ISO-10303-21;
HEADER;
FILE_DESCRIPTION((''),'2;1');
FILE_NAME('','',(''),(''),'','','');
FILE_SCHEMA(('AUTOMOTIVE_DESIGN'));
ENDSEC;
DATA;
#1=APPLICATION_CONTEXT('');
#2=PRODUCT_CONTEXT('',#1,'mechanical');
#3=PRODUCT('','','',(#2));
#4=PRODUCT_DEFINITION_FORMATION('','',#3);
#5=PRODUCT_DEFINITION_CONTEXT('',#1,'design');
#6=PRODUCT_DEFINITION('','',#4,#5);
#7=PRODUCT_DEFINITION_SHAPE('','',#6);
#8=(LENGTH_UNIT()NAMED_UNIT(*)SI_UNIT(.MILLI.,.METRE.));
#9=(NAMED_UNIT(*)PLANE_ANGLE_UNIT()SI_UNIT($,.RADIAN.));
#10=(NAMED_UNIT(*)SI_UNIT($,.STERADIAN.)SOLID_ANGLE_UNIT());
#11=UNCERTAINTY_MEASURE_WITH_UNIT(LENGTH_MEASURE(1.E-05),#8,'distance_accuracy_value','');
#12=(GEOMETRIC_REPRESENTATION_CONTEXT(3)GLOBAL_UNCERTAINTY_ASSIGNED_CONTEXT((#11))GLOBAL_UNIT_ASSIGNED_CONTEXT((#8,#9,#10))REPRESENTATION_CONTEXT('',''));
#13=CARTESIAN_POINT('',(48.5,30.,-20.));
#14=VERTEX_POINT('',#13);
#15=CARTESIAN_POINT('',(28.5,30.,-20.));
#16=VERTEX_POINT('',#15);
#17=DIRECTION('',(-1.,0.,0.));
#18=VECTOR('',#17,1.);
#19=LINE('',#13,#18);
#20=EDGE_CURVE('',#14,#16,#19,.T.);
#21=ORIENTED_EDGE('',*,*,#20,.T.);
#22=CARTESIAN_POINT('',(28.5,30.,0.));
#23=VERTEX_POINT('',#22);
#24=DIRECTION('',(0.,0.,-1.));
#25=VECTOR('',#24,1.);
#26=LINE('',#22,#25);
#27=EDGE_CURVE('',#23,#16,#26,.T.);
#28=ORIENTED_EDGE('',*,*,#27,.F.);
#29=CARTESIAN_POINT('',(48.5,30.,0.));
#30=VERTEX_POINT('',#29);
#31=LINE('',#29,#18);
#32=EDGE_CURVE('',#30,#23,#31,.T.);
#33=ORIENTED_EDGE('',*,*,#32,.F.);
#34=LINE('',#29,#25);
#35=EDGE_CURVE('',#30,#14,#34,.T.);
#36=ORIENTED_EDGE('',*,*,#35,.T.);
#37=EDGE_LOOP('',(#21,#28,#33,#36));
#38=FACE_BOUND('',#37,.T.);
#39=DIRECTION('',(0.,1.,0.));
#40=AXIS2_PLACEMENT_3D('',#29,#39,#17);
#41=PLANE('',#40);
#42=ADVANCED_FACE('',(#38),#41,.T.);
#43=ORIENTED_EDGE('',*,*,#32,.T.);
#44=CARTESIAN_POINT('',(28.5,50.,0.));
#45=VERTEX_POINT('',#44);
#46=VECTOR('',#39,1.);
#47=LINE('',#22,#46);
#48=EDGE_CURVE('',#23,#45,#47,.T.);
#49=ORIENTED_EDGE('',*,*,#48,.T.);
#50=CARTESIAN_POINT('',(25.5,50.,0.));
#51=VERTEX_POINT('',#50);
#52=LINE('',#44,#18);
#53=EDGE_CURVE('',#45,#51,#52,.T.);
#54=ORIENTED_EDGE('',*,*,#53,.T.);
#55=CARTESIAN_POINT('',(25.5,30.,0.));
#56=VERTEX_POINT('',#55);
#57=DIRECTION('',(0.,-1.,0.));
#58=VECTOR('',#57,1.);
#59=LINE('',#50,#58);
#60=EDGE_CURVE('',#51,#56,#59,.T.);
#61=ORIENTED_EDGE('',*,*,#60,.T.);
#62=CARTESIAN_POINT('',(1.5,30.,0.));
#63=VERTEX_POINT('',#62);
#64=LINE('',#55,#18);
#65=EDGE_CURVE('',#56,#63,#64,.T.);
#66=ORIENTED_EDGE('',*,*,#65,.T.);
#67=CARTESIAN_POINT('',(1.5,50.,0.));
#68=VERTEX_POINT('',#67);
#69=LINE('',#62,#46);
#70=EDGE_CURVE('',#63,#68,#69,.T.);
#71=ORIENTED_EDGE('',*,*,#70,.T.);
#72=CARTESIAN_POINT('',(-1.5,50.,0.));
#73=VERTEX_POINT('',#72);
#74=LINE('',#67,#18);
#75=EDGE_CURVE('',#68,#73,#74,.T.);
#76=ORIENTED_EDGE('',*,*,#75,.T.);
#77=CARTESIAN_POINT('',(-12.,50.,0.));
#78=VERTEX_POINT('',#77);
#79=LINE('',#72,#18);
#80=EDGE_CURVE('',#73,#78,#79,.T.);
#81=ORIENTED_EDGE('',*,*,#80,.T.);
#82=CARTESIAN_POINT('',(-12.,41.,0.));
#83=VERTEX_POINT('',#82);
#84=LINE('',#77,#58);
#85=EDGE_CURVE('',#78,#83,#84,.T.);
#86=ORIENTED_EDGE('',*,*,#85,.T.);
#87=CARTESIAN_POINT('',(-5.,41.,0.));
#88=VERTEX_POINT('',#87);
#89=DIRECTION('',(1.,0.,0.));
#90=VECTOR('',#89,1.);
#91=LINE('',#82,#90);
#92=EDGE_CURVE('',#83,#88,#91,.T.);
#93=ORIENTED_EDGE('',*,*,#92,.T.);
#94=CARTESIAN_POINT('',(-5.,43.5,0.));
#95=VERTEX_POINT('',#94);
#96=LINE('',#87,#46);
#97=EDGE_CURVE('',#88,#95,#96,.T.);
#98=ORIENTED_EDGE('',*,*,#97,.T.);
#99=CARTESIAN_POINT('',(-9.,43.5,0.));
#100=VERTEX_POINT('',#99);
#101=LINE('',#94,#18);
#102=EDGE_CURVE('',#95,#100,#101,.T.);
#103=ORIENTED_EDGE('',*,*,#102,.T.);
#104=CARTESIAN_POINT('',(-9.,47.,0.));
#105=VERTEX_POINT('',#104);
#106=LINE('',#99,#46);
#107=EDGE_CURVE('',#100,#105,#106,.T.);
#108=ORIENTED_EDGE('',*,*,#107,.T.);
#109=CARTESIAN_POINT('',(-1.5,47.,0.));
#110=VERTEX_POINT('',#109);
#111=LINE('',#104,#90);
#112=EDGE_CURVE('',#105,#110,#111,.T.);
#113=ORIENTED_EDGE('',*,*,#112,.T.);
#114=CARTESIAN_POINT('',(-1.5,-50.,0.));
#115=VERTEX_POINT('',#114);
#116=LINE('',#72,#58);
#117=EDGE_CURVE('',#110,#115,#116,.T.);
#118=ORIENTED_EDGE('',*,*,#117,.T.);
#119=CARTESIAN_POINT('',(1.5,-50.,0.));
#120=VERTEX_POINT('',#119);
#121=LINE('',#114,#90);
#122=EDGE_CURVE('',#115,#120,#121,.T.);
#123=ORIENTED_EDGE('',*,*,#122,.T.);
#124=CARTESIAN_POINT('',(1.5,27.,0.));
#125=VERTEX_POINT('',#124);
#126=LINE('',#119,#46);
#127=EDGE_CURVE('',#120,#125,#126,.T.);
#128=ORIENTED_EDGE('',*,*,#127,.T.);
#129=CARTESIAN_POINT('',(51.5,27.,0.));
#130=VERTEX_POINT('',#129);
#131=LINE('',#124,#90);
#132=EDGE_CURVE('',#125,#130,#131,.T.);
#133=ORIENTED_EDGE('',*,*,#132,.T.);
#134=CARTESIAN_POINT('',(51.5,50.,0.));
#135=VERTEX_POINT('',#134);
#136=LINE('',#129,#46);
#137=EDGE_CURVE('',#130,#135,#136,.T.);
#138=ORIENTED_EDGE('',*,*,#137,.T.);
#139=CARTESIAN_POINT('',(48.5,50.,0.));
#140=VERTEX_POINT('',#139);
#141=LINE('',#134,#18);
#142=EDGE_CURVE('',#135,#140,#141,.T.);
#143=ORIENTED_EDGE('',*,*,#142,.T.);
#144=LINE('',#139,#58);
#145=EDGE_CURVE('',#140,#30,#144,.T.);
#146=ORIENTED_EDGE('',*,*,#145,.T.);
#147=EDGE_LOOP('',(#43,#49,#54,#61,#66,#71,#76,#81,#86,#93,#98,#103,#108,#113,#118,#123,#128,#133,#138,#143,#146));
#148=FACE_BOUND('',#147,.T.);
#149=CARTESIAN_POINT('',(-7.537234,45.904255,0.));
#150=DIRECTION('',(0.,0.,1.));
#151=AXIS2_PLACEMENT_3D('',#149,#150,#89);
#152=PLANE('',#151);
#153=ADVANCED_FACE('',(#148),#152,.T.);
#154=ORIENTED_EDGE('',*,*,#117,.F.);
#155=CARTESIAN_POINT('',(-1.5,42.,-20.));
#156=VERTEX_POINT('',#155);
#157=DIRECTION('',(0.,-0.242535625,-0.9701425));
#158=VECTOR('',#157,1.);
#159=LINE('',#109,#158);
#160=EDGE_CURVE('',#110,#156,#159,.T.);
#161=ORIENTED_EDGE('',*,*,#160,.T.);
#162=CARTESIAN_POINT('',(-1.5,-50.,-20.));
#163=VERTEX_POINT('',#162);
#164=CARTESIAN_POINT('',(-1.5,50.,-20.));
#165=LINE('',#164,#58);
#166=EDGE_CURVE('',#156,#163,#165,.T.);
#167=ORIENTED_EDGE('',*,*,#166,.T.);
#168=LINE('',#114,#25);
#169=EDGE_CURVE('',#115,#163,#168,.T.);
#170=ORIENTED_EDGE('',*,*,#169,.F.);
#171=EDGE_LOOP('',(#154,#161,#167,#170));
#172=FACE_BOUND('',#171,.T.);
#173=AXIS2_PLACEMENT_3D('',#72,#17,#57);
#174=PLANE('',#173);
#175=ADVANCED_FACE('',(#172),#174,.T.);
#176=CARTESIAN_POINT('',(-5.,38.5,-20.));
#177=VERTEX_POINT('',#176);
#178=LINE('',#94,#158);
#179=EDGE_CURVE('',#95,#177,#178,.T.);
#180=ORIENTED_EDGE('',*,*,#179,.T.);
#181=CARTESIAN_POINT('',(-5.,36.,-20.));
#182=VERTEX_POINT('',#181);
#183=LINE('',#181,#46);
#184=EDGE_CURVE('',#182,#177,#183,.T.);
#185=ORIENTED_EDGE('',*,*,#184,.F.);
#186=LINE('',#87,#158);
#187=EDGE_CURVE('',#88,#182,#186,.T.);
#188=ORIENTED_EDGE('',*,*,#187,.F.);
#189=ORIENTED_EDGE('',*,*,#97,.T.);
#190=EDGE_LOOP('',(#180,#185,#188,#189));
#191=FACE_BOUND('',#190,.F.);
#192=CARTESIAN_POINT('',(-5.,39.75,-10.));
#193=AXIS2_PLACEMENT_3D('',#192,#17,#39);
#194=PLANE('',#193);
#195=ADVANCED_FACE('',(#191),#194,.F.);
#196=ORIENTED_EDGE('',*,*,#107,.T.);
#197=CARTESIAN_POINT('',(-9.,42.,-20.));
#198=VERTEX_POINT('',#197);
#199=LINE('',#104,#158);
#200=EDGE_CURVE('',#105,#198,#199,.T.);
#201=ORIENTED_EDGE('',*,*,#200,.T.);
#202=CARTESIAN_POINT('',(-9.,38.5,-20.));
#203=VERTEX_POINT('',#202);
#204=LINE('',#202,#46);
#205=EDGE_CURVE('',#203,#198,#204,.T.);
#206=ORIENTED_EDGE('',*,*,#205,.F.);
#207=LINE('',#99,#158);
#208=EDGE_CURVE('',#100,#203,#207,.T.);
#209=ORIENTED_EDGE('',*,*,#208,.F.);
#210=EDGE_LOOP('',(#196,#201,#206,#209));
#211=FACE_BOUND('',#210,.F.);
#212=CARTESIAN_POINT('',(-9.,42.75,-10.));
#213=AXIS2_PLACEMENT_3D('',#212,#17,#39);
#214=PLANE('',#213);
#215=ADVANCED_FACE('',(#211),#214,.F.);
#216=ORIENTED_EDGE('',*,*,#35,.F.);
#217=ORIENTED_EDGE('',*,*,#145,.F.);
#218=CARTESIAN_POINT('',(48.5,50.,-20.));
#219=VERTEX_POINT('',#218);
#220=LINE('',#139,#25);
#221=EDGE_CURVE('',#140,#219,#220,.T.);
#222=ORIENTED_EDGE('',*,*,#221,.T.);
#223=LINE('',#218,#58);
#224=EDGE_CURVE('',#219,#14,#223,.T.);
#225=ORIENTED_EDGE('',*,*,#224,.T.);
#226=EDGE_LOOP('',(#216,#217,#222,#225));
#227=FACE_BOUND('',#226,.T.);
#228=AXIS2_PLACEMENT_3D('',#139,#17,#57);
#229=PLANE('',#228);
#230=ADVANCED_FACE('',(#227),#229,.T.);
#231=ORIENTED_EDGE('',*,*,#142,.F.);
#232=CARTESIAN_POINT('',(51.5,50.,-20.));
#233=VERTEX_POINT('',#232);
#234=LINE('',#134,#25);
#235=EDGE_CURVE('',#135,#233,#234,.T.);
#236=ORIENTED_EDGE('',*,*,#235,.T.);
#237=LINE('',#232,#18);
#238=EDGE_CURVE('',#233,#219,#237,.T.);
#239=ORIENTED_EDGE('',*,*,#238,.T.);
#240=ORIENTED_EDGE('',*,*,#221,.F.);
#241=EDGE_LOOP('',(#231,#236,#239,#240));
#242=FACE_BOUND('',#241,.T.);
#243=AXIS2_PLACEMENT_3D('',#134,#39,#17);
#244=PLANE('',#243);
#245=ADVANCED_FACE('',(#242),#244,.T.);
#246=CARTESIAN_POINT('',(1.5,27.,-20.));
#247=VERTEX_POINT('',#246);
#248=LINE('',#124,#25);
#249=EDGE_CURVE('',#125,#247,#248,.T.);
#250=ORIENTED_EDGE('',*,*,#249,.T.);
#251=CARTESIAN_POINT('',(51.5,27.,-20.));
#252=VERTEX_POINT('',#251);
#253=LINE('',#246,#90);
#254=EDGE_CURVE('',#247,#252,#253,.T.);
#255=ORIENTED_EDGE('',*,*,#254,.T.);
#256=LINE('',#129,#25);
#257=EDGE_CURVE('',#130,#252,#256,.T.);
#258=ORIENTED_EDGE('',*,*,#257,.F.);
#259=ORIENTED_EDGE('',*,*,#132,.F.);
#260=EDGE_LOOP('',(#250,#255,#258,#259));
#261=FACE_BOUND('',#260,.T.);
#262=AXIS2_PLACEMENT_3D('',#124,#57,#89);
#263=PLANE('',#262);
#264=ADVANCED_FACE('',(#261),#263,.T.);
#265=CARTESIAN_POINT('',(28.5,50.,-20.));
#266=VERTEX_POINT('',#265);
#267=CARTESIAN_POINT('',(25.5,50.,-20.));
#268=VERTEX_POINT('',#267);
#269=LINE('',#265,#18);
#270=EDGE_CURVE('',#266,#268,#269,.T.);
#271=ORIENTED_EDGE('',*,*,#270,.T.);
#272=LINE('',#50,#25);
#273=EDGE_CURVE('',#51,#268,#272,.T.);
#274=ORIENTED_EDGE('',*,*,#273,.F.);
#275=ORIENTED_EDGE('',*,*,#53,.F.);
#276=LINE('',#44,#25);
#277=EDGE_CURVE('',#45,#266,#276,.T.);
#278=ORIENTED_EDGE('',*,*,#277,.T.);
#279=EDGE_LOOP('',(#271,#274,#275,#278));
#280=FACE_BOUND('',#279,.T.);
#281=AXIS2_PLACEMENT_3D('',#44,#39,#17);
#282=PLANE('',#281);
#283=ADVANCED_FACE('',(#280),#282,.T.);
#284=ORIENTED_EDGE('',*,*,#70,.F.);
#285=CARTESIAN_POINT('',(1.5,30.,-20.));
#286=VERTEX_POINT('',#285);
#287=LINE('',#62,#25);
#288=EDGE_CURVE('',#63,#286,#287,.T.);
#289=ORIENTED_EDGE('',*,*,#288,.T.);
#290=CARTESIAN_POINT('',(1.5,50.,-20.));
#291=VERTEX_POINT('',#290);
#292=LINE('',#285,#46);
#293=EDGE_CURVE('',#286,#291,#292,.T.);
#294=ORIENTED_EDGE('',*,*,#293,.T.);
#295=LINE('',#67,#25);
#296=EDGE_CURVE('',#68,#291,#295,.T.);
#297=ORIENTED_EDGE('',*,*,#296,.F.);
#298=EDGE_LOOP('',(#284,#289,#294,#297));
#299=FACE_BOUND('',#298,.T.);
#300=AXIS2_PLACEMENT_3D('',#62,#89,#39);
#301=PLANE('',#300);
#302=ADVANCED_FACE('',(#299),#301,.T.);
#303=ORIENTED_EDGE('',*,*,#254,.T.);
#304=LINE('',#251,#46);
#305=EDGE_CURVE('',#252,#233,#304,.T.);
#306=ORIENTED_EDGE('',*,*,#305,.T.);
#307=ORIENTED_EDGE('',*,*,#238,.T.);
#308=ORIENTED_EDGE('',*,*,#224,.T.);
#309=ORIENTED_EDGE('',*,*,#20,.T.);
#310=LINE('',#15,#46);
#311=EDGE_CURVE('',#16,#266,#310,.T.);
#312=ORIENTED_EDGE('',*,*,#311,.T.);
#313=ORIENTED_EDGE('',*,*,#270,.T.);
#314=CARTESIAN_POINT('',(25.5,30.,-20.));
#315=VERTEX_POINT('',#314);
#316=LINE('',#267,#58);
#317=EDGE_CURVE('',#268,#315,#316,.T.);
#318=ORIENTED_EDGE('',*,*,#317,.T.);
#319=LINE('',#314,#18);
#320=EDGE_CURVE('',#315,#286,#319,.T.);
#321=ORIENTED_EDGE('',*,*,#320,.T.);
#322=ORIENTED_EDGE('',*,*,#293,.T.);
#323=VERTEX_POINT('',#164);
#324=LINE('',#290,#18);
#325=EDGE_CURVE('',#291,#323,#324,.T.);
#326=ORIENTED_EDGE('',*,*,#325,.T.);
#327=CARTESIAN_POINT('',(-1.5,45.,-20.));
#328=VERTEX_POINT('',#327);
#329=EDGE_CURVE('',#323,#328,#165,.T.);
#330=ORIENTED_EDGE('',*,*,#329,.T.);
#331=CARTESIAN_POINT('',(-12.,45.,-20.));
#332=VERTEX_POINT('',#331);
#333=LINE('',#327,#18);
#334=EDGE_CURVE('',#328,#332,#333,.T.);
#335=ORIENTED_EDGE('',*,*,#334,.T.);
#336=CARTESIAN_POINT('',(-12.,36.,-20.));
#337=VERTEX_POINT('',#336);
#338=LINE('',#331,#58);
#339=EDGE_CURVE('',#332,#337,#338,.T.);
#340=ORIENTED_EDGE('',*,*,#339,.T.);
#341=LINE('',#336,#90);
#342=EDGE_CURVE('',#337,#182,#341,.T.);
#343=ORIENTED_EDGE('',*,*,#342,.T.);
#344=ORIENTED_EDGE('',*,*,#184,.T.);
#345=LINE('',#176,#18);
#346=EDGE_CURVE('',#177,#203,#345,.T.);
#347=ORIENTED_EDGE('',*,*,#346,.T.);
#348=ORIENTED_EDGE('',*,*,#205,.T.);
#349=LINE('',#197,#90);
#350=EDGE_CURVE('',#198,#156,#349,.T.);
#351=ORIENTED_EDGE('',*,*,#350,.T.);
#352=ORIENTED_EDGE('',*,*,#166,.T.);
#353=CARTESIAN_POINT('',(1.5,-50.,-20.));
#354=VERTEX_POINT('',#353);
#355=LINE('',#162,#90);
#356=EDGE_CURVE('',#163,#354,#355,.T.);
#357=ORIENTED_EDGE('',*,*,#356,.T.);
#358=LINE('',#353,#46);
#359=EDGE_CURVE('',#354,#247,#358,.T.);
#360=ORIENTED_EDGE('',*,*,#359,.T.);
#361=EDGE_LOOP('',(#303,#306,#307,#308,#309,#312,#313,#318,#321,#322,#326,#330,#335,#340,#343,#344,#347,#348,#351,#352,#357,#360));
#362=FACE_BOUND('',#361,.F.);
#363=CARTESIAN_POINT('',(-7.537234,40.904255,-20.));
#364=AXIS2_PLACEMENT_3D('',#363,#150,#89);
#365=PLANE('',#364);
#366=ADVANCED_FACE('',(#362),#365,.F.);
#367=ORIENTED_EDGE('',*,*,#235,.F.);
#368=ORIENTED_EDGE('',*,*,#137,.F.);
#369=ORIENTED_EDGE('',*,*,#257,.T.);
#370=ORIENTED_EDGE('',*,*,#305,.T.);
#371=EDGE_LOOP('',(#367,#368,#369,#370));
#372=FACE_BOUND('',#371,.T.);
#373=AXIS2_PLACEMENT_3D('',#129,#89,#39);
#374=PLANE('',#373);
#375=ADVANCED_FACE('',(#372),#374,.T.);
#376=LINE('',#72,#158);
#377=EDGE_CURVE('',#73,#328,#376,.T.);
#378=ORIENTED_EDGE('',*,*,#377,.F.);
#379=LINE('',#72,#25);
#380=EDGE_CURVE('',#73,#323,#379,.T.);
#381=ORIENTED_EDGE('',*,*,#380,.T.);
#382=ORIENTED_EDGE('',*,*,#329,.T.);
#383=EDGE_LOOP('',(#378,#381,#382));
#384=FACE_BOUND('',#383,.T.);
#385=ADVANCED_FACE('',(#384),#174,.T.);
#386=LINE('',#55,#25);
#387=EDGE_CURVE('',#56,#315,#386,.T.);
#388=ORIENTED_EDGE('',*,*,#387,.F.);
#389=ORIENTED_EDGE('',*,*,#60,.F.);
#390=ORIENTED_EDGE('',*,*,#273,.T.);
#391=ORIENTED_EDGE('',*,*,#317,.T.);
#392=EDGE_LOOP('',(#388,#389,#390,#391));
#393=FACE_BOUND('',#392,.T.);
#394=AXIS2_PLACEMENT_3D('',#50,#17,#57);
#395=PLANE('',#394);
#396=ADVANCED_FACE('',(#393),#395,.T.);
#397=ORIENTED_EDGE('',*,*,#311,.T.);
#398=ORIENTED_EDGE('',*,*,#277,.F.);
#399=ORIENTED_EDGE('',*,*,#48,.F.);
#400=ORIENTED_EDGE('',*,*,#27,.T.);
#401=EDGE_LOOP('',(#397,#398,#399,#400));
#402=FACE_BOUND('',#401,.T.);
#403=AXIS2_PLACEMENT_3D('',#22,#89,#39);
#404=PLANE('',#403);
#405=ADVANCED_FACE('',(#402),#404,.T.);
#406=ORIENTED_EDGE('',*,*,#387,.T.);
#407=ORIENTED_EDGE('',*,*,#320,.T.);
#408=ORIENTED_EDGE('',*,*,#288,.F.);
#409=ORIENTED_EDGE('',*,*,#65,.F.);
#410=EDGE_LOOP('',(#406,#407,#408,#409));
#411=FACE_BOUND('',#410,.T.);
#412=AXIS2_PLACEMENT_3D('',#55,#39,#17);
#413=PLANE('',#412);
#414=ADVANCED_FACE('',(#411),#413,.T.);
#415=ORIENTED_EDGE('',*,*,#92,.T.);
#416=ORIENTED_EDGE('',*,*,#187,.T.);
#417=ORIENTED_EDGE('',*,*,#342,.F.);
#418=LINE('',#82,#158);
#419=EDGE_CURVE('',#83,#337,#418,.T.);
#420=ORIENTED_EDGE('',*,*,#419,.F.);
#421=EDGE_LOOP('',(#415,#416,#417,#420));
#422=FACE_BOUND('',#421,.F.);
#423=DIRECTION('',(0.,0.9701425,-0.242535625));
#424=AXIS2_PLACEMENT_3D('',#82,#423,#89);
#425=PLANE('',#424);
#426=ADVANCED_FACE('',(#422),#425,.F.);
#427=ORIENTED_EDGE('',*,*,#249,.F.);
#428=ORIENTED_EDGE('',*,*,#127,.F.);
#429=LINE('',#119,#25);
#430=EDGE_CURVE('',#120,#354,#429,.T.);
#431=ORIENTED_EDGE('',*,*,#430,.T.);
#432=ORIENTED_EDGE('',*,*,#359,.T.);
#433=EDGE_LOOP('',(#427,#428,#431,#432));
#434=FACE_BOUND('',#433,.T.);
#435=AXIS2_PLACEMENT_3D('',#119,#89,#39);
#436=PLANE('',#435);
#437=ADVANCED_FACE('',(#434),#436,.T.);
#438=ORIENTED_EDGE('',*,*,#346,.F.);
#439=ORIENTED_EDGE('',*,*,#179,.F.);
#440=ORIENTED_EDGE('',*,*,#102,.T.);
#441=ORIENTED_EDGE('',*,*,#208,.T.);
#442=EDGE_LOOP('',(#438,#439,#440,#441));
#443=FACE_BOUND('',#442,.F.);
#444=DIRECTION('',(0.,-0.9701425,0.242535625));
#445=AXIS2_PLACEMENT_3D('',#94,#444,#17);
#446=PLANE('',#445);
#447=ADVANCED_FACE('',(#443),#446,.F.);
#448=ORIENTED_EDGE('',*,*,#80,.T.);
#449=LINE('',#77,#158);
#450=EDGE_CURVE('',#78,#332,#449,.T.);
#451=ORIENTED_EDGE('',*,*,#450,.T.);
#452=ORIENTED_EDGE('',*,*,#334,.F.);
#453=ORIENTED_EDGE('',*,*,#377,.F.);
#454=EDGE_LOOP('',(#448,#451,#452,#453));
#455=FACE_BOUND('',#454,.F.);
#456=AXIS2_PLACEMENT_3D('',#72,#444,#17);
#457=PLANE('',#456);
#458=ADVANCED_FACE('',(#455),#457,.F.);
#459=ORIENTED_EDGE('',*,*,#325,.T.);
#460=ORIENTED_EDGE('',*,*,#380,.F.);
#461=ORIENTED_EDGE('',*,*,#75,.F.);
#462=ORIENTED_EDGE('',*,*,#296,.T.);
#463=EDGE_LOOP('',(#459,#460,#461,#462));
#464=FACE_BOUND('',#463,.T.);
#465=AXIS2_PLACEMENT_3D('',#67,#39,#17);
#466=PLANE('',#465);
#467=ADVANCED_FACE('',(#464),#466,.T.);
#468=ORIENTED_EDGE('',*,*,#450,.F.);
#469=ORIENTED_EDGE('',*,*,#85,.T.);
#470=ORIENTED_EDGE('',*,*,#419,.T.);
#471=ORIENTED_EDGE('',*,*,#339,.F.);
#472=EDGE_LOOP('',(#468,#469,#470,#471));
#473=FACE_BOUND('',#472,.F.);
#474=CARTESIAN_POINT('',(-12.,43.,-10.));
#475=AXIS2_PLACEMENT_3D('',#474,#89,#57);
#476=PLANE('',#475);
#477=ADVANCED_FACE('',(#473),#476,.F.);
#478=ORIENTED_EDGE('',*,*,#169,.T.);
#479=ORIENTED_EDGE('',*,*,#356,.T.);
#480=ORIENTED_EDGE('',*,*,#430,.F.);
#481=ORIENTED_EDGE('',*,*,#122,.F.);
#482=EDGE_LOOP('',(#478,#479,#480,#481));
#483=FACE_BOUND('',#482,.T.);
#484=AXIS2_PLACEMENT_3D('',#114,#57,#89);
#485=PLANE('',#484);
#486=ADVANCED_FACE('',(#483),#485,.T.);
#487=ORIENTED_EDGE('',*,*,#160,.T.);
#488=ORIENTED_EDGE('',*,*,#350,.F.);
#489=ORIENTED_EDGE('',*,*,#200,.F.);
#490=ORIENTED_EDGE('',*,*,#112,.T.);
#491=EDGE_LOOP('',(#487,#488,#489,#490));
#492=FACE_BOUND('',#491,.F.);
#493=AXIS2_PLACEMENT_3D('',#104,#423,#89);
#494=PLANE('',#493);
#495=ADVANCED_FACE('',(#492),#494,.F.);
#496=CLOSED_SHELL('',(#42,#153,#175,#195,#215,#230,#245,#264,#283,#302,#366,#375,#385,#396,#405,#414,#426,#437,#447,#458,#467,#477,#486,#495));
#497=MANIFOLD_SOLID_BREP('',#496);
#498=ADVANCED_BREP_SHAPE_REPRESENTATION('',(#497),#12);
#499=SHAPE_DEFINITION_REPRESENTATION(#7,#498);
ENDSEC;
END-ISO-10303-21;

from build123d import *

# Parameters (mm, degrees)
F1_DEPTH = 20


with BuildPart() as f1:
    # F0 (on Top) → F1 (new body)
    with BuildSketch(Plane.XY):
        Polygon((1.5, 50), (-1.5, 50), (-1.5, 47), (-1.5, -50), (1.5, -50), (1.5, 27), (51.5, 27), (51.5, 30), (51.5, 50), (48.5, 50), (48.5, 30), (28.5, 30), (28.5, 50), (25.5, 50), (25.5, 30), (1.5, 30), align=None)
    extrude(amount=-F1_DEPTH)

    # F3: sweep along a path in F2
    with BuildLine(Plane(origin=(-1.5, 0, 0), x_dir=(0, -1, 0), z_dir=(-1, 0, 0))) as f3_path:
        Line((-48.5, 0), (-43.5, -20))
    # F0 (on Top) → F3 (sweep)
    with BuildSketch(Plane.XY):
        Polygon((-1.5, 47), (-1.5, 50), (-12, 50), (-12, 47), (-12, 41), (-9, 41), (-5, 41), (-5, 43.5), (-9, 43.5), (-9, 47), align=None)
    sweep(path=f3_path.line)


solid = f1.part
